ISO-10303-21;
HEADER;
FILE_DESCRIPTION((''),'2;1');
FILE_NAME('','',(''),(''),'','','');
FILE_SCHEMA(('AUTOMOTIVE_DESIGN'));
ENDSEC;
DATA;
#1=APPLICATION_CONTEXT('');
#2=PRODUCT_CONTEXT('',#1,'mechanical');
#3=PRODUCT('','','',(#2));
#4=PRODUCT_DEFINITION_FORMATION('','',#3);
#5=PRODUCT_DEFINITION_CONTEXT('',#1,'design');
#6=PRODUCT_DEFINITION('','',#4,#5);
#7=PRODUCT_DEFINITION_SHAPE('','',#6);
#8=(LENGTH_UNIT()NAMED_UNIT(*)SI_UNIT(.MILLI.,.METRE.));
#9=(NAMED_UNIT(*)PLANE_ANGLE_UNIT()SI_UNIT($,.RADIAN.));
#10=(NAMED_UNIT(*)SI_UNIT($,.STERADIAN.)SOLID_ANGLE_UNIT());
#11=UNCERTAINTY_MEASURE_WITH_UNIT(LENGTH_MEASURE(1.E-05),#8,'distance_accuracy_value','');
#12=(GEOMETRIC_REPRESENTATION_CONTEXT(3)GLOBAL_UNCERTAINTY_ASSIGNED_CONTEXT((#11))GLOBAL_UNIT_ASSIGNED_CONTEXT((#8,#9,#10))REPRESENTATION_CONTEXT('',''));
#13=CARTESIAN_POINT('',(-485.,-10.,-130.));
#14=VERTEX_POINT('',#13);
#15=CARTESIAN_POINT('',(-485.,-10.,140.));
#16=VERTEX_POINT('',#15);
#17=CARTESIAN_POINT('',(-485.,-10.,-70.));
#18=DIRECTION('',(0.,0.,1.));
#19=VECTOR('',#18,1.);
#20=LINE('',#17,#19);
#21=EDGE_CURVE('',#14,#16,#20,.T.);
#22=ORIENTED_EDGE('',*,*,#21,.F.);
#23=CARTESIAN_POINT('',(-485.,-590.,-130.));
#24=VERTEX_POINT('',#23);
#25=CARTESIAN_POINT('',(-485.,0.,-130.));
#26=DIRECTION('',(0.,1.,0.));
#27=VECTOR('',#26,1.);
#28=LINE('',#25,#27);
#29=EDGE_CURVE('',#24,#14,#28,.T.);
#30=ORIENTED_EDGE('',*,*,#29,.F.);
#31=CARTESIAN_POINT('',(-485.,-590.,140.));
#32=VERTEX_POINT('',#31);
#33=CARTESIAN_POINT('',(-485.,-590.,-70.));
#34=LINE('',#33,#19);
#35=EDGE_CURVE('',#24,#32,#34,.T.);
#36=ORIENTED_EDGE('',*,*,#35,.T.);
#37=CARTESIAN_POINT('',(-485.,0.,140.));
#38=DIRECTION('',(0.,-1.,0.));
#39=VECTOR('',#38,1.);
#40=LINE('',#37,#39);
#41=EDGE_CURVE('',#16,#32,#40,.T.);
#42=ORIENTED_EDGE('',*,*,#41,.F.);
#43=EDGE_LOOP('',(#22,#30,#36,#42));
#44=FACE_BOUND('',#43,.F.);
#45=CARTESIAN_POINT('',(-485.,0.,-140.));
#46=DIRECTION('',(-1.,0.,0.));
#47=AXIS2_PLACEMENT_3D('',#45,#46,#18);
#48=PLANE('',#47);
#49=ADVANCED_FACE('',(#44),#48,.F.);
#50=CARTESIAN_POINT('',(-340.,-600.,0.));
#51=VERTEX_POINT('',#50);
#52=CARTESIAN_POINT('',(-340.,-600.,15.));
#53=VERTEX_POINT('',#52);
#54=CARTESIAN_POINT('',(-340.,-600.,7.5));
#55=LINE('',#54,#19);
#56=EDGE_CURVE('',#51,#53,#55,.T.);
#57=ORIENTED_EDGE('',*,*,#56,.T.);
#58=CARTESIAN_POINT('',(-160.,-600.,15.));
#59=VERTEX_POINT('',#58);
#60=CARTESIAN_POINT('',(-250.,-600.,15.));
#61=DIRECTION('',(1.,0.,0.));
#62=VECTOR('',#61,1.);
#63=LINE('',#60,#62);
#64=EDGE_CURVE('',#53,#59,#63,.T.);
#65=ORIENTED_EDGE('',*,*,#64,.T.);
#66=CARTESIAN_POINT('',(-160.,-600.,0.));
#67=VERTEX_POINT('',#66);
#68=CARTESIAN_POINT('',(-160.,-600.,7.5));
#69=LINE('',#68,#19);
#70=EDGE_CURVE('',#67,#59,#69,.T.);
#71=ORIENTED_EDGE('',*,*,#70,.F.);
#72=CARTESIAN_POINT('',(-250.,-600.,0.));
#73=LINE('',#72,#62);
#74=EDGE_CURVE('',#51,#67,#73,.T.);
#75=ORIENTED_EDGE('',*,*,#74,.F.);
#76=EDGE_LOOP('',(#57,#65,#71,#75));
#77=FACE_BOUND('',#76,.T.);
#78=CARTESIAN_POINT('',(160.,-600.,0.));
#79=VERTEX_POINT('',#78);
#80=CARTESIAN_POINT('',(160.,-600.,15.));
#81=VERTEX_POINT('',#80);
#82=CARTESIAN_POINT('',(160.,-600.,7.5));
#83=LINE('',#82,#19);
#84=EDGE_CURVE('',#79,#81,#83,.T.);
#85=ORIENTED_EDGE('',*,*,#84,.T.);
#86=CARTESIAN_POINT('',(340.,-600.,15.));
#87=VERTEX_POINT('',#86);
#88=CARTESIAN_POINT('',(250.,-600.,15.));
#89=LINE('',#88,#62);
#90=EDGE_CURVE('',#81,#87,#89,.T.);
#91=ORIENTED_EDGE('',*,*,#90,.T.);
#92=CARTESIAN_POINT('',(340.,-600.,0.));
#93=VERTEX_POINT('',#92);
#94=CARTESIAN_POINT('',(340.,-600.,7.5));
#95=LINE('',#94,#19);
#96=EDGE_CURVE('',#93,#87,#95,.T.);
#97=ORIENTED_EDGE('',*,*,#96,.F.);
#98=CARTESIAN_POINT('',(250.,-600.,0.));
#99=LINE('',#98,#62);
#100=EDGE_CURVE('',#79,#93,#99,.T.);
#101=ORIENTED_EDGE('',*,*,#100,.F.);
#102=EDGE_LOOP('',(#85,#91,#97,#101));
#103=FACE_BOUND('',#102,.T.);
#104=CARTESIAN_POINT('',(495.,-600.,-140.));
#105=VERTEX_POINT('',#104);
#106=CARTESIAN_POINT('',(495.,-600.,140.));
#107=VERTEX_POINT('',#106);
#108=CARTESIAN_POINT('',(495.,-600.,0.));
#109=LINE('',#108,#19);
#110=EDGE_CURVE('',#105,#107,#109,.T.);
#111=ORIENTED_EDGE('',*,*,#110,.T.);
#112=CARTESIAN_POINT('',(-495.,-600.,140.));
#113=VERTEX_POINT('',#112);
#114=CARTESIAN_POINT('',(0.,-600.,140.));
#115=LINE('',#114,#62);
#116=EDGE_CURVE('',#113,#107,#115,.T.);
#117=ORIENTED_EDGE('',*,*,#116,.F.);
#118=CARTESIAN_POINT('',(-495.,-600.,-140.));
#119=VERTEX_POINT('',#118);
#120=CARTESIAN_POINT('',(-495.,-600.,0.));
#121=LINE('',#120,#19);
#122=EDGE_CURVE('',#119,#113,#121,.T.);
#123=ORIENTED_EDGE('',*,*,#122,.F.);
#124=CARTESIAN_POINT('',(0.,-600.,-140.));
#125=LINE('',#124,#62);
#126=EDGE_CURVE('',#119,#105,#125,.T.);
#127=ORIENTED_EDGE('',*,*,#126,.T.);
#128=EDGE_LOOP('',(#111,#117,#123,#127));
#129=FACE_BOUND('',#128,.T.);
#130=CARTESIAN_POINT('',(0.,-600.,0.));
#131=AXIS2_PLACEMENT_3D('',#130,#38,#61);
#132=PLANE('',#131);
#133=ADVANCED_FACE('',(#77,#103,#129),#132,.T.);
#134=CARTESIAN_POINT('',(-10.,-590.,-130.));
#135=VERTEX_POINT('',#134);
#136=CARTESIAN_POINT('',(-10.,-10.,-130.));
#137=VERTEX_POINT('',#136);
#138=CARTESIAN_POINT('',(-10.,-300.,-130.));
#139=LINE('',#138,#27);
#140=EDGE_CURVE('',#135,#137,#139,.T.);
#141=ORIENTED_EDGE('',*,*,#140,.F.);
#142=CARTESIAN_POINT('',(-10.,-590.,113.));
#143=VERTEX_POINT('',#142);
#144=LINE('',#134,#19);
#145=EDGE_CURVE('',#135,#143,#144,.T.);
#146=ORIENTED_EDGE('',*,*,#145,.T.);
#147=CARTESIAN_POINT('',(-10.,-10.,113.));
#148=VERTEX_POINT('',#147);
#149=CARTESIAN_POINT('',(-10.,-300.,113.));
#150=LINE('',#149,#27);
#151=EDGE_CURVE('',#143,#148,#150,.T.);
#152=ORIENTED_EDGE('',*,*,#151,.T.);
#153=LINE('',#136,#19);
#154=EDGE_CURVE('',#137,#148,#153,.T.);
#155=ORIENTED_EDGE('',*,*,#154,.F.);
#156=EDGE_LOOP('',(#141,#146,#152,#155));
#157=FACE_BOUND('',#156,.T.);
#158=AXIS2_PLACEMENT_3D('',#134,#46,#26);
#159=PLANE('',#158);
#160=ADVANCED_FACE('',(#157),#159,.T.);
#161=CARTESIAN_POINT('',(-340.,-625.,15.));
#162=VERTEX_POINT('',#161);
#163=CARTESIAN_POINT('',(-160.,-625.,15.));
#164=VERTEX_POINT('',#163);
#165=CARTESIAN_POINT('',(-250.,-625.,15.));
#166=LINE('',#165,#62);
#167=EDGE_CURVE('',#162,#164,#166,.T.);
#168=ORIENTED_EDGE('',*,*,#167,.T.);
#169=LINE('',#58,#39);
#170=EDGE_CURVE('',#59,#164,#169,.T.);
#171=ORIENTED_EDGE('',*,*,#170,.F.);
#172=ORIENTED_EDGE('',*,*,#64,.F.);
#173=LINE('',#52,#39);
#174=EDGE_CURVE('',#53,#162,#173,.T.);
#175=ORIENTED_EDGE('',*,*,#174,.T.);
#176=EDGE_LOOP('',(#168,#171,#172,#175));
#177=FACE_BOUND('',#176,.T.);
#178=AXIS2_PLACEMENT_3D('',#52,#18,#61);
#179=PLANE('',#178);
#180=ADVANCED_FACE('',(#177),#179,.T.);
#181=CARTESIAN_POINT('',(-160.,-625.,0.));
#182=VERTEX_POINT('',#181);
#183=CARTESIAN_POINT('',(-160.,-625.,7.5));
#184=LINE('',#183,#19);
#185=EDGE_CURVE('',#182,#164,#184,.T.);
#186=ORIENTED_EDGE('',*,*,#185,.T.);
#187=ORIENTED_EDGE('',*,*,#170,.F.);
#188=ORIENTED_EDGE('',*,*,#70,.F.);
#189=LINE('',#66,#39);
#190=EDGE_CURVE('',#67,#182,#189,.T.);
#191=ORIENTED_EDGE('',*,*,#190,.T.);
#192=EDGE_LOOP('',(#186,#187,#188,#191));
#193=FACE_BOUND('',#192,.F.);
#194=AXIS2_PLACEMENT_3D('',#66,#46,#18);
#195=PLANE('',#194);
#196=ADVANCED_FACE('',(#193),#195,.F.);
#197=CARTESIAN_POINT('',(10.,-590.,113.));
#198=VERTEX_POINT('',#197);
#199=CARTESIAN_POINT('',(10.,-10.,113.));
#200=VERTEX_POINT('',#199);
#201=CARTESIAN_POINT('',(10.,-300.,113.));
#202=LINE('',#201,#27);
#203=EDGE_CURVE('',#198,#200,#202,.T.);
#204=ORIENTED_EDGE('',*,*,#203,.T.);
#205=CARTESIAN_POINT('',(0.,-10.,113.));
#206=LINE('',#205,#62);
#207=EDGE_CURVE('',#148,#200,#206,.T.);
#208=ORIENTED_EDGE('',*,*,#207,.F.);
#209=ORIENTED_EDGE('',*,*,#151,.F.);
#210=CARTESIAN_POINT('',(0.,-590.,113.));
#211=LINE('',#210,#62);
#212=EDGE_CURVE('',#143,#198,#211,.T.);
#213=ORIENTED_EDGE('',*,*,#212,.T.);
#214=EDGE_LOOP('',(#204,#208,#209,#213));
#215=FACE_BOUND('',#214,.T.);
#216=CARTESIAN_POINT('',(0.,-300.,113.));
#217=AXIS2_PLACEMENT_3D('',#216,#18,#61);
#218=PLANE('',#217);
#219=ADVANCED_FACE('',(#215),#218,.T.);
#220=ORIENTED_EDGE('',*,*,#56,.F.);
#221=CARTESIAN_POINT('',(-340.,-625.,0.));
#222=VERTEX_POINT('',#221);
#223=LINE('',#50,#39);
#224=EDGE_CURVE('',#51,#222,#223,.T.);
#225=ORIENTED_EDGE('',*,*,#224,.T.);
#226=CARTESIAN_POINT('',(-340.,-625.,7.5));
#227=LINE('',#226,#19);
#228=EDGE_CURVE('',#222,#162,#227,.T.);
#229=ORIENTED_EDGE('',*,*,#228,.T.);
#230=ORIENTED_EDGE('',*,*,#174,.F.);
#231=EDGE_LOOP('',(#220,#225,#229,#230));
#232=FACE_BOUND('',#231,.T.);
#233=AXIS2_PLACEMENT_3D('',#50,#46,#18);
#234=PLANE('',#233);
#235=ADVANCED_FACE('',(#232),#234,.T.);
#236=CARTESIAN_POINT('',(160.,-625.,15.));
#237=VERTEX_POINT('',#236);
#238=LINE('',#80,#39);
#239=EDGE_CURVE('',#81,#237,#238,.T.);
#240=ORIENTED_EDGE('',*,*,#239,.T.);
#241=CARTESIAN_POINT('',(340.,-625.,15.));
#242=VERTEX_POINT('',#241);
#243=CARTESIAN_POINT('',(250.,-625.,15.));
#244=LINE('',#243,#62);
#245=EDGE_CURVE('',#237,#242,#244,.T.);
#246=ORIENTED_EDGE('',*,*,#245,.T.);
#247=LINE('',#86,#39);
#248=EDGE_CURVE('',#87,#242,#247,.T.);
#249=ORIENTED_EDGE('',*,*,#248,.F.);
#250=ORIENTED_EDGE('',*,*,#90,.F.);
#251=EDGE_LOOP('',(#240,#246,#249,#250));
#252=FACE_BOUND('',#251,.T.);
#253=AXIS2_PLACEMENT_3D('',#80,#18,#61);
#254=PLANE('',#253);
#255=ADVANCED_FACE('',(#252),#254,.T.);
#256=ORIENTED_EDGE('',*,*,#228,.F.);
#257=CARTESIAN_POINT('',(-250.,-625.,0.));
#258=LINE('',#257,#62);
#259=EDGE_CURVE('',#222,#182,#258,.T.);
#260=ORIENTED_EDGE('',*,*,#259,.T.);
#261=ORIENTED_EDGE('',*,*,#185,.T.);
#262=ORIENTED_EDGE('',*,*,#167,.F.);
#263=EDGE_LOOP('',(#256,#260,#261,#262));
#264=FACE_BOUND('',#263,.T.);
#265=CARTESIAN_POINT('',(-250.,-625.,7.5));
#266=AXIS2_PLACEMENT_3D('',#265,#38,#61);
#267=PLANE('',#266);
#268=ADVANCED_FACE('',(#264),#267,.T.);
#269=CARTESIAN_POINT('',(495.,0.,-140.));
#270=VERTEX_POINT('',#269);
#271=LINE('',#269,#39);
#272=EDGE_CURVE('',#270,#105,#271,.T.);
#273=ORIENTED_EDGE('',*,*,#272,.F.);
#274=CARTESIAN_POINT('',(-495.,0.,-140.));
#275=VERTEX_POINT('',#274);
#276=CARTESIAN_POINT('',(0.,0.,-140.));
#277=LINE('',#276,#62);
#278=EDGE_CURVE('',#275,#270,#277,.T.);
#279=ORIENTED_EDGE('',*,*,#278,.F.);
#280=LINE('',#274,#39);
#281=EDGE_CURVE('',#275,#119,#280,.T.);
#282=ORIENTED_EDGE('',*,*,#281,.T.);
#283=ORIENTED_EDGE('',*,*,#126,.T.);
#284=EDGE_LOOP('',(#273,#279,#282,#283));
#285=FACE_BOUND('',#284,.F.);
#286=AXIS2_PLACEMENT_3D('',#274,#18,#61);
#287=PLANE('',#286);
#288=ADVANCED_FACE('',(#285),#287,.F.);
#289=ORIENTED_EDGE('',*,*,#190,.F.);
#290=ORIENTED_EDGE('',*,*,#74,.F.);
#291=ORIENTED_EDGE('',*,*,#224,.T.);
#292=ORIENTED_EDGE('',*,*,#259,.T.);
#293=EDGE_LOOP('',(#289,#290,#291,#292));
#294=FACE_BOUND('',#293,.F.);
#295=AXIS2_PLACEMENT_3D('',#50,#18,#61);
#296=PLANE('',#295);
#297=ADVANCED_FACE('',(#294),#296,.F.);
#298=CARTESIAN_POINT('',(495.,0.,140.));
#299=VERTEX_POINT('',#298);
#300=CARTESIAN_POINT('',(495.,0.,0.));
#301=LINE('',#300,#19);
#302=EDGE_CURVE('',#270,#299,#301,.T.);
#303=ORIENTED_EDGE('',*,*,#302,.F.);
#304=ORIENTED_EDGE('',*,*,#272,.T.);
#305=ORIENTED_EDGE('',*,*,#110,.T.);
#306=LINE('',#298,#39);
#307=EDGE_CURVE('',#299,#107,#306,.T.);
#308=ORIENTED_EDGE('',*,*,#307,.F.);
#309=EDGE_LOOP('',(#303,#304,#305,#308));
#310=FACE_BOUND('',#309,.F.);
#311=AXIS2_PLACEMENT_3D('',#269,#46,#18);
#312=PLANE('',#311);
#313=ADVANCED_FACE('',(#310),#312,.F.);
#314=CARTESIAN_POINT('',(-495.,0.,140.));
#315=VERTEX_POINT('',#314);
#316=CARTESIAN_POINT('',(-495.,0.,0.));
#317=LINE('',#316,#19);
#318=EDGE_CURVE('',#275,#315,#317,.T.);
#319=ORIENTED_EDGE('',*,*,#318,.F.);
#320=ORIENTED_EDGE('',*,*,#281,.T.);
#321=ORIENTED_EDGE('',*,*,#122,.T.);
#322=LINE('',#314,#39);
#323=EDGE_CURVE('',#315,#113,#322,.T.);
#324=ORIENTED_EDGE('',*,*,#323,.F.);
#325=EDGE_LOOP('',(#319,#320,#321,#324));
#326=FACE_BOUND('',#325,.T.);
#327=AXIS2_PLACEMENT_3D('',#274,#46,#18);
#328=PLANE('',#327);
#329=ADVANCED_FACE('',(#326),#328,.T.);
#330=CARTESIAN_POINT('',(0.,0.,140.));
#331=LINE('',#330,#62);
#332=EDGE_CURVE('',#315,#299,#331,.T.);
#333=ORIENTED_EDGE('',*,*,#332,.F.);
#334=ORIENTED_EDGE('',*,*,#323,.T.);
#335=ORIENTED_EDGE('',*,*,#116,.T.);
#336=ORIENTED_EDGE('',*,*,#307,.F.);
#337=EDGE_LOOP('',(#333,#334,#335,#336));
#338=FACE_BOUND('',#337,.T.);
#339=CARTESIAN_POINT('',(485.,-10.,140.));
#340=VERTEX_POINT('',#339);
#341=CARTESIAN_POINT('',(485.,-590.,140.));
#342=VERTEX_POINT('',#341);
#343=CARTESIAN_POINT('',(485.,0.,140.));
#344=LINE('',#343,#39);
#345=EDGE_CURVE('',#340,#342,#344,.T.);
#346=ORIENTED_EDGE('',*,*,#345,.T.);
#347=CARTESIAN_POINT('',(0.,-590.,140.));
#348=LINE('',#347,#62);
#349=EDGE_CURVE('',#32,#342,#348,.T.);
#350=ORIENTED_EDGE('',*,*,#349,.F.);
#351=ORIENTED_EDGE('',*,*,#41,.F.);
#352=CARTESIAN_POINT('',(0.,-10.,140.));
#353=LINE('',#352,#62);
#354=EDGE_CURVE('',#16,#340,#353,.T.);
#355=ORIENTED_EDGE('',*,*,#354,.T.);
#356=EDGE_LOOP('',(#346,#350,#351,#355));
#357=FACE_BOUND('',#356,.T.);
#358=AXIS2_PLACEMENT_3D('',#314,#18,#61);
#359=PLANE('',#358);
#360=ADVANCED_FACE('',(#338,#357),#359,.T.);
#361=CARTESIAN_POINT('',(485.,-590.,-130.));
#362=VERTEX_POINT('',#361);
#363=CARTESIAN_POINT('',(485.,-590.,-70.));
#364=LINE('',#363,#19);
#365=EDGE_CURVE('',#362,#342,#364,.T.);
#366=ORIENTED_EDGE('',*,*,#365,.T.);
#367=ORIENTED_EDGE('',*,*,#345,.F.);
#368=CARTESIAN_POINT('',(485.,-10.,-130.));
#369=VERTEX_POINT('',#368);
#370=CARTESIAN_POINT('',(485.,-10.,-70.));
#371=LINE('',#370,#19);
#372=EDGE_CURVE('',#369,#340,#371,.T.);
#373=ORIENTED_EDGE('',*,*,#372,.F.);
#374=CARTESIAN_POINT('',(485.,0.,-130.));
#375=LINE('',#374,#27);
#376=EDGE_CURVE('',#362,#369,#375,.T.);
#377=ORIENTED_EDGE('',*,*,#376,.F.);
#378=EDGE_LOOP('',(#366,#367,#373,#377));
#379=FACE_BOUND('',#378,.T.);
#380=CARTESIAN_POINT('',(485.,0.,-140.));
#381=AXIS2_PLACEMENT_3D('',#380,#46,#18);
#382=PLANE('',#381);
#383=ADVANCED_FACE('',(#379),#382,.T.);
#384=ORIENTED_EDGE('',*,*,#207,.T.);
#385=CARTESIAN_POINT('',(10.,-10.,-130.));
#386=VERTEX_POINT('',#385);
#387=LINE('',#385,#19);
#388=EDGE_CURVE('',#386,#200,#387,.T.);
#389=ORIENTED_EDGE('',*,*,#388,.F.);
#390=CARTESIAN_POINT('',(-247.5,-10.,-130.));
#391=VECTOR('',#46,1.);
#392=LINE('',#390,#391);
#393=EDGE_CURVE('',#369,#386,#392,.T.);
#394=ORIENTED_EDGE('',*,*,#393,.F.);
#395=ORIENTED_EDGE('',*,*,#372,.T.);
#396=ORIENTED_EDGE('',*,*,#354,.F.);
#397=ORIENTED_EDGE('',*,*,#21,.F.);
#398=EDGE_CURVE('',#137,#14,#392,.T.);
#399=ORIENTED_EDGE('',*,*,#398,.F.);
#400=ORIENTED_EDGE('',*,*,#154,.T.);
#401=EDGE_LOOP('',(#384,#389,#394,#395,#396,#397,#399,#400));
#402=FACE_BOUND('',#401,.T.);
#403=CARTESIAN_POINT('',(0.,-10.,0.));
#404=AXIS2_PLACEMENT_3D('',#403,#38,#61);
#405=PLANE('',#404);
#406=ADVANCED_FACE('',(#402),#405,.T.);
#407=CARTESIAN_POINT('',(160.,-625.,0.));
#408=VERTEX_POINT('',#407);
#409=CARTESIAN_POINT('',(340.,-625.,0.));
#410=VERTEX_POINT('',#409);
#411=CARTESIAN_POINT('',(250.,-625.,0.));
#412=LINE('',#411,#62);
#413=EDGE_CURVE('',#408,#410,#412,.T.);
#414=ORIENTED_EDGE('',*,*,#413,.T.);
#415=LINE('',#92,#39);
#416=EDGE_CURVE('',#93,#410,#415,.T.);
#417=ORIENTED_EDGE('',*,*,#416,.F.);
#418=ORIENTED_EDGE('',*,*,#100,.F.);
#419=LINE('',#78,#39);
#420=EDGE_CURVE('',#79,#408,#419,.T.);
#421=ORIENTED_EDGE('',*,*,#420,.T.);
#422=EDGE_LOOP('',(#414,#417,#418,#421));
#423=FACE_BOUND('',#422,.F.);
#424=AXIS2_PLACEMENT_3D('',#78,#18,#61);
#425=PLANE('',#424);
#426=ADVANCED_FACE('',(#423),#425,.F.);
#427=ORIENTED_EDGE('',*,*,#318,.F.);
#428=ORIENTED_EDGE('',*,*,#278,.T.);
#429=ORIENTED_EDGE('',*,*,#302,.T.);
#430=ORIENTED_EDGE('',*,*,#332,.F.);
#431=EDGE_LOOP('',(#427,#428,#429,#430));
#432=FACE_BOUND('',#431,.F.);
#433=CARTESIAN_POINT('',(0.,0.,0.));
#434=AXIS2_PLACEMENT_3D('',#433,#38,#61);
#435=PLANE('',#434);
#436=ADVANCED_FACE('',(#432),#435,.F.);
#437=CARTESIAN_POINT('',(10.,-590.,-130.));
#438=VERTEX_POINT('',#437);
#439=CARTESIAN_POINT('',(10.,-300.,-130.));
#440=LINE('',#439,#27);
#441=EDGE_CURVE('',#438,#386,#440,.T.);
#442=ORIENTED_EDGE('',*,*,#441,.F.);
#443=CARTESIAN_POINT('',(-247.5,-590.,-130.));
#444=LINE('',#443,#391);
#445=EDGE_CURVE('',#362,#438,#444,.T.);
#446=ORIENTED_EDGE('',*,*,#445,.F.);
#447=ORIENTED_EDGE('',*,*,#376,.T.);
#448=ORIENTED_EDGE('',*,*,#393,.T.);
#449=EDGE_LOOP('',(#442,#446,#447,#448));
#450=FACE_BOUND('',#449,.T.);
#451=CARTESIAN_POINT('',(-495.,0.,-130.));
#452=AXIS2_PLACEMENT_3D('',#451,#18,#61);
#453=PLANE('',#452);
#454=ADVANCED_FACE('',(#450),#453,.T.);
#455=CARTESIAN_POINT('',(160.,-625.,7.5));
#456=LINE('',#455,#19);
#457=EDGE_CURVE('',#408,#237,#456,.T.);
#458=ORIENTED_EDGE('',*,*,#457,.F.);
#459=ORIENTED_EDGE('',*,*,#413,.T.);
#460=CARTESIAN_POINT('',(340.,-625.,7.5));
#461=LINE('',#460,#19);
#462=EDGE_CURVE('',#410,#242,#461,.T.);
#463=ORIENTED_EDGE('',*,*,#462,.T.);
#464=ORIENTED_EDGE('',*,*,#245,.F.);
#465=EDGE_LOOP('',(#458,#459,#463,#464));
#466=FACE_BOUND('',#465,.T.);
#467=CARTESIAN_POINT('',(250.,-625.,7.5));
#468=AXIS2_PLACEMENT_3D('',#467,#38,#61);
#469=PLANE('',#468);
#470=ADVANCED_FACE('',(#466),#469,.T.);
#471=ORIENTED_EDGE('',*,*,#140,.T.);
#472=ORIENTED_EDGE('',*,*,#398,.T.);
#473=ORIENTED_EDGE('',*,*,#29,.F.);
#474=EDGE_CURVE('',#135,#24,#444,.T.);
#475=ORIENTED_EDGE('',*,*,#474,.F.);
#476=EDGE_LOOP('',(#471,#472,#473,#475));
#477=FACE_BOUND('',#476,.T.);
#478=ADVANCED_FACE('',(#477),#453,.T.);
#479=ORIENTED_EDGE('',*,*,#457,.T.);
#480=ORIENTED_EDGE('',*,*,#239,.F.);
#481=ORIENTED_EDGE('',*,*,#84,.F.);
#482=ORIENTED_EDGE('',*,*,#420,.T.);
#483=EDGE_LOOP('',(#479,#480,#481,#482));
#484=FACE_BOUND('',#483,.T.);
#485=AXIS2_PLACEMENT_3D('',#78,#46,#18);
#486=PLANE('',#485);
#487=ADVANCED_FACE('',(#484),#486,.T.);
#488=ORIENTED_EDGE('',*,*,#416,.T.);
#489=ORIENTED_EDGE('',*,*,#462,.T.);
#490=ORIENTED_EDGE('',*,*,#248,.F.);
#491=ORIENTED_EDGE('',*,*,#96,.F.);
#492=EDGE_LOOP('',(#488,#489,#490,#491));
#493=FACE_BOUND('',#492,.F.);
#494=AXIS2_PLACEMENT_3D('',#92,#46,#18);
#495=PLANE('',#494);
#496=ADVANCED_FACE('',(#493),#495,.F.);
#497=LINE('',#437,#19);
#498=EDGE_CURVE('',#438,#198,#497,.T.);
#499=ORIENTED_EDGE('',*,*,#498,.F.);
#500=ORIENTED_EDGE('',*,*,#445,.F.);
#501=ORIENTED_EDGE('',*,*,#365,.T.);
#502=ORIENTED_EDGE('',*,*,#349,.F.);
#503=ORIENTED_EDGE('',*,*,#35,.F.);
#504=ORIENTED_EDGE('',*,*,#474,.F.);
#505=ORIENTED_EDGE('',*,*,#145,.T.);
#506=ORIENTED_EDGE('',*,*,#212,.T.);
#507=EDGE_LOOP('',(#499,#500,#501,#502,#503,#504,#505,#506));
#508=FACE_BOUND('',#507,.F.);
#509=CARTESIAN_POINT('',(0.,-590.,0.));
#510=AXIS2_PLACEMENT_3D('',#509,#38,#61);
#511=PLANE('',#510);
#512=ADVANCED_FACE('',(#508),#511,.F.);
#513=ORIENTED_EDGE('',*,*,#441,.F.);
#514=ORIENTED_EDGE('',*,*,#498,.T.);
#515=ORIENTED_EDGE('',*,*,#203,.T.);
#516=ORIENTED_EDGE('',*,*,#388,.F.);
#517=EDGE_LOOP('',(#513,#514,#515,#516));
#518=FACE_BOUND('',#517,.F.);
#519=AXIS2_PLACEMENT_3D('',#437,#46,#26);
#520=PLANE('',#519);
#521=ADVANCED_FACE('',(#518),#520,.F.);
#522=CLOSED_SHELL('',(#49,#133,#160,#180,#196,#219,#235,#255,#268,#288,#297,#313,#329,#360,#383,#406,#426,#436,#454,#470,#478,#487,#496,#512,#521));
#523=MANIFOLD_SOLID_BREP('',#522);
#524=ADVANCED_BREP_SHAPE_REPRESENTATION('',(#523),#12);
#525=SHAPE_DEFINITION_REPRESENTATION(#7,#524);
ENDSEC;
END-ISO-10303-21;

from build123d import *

# Parameters (mm, degrees)
F0_W     = 990
F0_H     = 280
F1_DEPTH = 600
F2_T     = -10
F3_W     = 20
F3_H     = 580
F4_DEPTH = 243
F5_W     = 180
F5_H     = 15
F6_DEPTH = 25


with BuildPart() as f1:
    # F0 (on Front) → F1 (new body)
    with BuildSketch(Plane.XZ):
        Rectangle(F0_W, F0_H)
    extrude(amount=F1_DEPTH)

    # F2
    f2_openings = [f1.faces().sort_by_distance(p)[0] for p in [
        (0, -300, 140),
    ]]
    offset(amount=F2_T, openings=f2_openings)

    # F3 (on face) → F4 (join)
    with BuildSketch(Plane.XY.offset(-130)):
        with Locations((0, -300)):
            Rectangle(F3_W, F3_H)
    extrude(amount=F4_DEPTH)

    # F5 (on face) → F6 (join)
    with BuildSketch(Plane.XZ.offset(600)):
        with Locations((250, 7.5)):
            Rectangle(F5_W, F5_H)
        with Locations((-250, 7.5)):
            Rectangle(F5_W, F5_H)
    extrude(amount=F6_DEPTH)


solid = f1.part
